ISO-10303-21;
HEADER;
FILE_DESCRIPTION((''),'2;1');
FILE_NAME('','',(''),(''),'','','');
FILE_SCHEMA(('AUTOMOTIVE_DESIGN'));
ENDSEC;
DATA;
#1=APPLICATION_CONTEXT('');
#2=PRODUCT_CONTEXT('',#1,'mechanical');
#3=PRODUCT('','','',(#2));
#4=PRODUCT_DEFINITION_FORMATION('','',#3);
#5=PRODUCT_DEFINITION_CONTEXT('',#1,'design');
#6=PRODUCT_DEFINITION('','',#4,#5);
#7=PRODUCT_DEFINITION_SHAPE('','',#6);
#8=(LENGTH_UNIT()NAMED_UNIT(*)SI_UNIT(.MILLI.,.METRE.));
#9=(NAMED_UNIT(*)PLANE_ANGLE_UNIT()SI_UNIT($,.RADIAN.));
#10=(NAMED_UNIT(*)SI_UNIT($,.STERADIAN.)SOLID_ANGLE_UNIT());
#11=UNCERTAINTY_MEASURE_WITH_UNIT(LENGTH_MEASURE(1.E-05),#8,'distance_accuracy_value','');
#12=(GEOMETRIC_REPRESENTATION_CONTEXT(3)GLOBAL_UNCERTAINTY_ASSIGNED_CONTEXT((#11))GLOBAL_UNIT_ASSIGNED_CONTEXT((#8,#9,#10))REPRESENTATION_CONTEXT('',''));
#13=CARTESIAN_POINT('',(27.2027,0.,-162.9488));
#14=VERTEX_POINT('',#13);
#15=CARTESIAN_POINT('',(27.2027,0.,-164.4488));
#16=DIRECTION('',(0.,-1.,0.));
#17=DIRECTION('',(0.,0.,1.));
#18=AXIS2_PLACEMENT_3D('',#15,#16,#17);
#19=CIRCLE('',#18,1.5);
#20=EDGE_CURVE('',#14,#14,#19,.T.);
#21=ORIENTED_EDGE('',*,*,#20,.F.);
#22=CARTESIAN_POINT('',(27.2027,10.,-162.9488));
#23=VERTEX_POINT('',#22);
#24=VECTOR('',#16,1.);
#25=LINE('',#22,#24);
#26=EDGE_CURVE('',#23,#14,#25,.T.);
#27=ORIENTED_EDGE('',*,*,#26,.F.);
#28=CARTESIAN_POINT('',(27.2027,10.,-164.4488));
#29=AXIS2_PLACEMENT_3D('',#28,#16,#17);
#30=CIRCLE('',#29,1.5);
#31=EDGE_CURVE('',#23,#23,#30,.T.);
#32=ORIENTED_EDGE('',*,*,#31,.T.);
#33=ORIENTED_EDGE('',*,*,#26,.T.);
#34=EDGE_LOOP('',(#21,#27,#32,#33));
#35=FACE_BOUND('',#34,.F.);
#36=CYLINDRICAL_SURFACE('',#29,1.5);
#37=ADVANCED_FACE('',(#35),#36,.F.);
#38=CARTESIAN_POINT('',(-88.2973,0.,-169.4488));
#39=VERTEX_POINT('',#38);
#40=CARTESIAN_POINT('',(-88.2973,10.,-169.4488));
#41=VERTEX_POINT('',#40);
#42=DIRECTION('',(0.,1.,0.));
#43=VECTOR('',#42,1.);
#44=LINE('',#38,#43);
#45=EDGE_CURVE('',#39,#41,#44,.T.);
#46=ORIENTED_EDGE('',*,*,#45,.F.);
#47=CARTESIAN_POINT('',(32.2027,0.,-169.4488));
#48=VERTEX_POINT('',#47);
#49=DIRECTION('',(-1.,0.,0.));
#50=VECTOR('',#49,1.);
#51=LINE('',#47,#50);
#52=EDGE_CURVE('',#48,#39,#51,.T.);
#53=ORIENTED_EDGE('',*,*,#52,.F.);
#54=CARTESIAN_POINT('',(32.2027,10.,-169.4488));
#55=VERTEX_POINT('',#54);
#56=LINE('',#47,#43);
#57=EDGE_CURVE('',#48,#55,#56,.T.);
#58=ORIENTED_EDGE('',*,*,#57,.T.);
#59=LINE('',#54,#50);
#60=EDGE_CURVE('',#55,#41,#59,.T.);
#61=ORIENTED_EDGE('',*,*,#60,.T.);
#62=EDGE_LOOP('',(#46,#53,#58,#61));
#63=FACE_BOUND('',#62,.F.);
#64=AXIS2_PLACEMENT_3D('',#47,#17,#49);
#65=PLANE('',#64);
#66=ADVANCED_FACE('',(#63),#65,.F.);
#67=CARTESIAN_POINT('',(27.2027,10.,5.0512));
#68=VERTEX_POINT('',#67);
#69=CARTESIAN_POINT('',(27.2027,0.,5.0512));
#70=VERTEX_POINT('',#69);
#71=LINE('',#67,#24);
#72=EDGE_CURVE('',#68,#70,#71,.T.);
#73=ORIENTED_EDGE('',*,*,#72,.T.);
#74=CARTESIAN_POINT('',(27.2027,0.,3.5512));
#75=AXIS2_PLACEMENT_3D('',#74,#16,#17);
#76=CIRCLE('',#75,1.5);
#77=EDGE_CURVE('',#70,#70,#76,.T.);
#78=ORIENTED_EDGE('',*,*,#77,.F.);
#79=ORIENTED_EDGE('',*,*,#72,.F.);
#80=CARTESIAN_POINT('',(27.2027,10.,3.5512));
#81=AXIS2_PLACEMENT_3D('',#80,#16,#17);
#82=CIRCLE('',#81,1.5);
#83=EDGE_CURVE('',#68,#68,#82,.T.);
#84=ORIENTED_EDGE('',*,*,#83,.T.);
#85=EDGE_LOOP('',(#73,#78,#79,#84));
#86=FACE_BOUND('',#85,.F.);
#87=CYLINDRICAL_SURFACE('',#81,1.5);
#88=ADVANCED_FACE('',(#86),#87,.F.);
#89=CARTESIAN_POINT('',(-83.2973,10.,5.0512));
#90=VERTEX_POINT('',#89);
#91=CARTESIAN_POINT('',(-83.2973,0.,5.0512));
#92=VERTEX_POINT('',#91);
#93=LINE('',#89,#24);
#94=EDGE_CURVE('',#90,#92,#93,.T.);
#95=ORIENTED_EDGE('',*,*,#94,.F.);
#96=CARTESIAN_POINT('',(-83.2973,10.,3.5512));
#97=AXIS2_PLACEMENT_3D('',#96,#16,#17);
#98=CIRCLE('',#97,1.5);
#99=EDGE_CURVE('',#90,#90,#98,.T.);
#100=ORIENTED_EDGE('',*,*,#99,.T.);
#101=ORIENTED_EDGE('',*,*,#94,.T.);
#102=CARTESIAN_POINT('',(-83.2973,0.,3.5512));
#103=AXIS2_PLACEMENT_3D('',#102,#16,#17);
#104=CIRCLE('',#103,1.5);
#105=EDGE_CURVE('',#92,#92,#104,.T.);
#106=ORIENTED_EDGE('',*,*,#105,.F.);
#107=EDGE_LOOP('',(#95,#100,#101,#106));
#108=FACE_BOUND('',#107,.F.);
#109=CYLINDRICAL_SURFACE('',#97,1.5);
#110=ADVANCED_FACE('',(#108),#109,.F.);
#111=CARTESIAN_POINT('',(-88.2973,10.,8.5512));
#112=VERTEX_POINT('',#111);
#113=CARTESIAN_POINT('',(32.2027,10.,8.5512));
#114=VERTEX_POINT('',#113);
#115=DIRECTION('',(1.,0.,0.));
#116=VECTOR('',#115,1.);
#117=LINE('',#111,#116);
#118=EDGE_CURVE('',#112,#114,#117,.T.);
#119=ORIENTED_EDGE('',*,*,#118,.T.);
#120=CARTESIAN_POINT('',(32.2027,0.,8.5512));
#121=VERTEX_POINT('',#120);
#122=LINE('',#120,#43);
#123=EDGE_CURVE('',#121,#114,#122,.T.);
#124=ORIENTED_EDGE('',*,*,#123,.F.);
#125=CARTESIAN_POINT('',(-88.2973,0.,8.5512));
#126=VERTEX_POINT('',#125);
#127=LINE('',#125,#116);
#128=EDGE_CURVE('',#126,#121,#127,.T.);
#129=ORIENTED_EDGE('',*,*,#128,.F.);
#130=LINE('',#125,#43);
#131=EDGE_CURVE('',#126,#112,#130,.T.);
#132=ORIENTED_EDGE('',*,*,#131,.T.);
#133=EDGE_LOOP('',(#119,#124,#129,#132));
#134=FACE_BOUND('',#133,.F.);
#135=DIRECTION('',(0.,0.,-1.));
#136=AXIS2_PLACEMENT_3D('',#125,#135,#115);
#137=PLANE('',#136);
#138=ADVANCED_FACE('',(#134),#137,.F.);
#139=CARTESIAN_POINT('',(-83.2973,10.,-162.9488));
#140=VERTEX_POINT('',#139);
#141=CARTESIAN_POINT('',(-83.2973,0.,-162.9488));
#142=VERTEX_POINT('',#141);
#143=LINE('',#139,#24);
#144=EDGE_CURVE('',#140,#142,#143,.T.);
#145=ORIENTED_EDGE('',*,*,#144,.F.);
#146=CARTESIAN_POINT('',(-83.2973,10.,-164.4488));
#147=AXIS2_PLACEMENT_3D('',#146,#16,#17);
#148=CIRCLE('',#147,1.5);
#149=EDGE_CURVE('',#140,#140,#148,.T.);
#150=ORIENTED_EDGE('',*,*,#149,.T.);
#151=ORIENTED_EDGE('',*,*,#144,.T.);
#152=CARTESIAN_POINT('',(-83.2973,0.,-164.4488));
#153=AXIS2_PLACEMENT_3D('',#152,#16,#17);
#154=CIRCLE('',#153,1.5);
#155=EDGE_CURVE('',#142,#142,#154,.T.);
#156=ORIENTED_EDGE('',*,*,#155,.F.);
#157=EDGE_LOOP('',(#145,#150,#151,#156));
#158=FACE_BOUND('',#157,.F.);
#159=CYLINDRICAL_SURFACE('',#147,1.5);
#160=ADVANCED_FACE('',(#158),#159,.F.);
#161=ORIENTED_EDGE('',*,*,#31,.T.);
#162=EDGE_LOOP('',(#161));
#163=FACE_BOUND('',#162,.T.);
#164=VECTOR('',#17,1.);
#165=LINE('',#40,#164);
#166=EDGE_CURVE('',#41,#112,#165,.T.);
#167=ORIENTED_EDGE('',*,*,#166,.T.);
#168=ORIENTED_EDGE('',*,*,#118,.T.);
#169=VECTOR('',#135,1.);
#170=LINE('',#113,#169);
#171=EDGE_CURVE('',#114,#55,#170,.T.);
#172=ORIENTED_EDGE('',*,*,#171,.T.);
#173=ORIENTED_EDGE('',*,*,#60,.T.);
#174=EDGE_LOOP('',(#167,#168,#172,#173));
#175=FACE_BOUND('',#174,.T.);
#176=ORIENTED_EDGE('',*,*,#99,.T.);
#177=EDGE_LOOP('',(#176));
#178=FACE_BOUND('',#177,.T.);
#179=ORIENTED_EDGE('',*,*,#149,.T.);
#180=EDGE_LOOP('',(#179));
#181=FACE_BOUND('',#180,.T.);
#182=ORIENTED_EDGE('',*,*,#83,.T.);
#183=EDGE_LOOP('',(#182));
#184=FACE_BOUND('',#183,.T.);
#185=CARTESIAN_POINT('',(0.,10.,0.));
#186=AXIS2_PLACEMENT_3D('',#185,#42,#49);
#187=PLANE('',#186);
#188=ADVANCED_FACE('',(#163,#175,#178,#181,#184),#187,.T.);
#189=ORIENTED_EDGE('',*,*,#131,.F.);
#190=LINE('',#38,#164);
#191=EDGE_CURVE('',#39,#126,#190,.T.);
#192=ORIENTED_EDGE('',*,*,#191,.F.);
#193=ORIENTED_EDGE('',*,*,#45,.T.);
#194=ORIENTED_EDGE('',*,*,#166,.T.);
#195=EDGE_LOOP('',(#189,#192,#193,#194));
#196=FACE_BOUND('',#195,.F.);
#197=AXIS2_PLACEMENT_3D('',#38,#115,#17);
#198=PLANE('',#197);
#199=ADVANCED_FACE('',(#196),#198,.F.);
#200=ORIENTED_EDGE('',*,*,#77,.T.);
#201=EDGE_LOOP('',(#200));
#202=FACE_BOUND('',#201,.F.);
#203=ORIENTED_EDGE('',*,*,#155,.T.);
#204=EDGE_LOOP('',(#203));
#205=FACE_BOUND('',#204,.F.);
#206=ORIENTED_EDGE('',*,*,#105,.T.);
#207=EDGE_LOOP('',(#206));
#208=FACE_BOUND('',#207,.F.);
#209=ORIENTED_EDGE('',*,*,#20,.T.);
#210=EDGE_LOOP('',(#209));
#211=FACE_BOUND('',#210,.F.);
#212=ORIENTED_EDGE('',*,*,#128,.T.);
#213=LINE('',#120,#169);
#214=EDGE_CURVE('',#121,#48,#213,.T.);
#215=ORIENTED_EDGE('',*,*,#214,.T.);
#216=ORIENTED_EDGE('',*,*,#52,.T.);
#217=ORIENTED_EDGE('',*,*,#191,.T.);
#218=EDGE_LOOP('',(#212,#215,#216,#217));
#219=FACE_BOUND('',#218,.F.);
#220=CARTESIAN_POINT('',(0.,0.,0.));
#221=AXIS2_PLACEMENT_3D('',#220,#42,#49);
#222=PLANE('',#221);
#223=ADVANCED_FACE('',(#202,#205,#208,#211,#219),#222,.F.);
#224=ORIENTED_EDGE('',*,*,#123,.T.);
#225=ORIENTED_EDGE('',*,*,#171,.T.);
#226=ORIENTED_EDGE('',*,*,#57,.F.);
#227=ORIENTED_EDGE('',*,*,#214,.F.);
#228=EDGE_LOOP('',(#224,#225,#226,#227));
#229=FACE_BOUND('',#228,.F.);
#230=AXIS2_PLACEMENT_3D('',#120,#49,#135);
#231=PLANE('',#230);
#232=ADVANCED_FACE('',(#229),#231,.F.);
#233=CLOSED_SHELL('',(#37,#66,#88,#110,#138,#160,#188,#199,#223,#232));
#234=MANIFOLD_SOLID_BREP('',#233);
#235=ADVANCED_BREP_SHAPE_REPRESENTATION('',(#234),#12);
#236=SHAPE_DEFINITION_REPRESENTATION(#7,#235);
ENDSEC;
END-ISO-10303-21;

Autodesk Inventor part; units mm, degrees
ref_plane "YZ Plane" through (0, 0, 0) normal (1, 0, 0) x (0, 1, 0)
ref_plane "XZ Plane" through (0, 0, 0) normal (0, 1, 0) x (-1, 0, 0)
ref_plane "XY Plane" through (0, 0, 0) normal (0, 0, 1) x (1, 0, 0)
sketch "Sketch1" plane through (0, 0, 0) normal (0, 1, 0) x (-1, 0, 0)
  line L0 (88.2973, 8.5512) -> (-32.2027, 8.5512)
  line L1 (-32.2027, 8.5512) -> (-32.2027, -169.4488)
  line L2 (-32.2027, -169.4488) -> (88.2973, -169.4488)
  line L3 (88.2973, -169.4488) -> (88.2973, 8.5512)
  dimension "d1" = 178
  dimension "d2" = 120.5
extrude "Extrusion1" add sketch "Sketch1" along normal blind 10
sketch "Sketch2" plane through (0, 10, 0) normal (0, 1, 0) x (1, 0, 0)
  circle A0 centre (-83.2973, -3.5512) radius 1.5
  line L0 (-88.2973, 169.4488) -> (-88.2973, -8.5512) projected
  line L1 (-88.2973, -8.5512) -> (32.2027, -8.5512) projected
  line L2 (-88.2973, 80.4488) -> (33.9158, 80.4488)
  line L3 (32.2027, 169.4488) -> (-88.2973, 169.4488) projected
  circle A1 centre (-83.2973, 164.4488) radius 1.5
  line L4 (-28.0473, -8.5512) -> (-28.0473, 169.4488)
  line L5 (32.2027, -8.5512) -> (32.2027, 169.4488) projected
  circle A2 centre (27.2027, -3.5512) radius 1.5
  circle A3 centre (27.2027, 164.4488) radius 1.5
  point P0 (0, 0)
  dimension "d5" = 3
  dimension "d6" = 5
  dimension "d7" = 5
  dimension "d8" = 89
  dimension "d9" = 60.25
hole "Hole1" at (-83.2973, 10, 3.5512) at (27.2027, 10, 3.5512) at (-83.2973, 10, -164.4488) at (27.2027, 10, -164.4488) direction (0, -1, 0) diameter 3 end through all
thread "Thread1" size "M3x0.5" class "6H" standard "ANSI Metric M Profile" full length
thread "Thread2" size "M3x0.5" class "6H" standard "ANSI Metric M Profile" full length
thread "Thread3" size "M3x0.5" class "6H" standard "ANSI Metric M Profile" full length
thread "Thread4" size "M3x0.5" class "6H" standard "ANSI Metric M Profile" full length
properties part number "cabin_back"
